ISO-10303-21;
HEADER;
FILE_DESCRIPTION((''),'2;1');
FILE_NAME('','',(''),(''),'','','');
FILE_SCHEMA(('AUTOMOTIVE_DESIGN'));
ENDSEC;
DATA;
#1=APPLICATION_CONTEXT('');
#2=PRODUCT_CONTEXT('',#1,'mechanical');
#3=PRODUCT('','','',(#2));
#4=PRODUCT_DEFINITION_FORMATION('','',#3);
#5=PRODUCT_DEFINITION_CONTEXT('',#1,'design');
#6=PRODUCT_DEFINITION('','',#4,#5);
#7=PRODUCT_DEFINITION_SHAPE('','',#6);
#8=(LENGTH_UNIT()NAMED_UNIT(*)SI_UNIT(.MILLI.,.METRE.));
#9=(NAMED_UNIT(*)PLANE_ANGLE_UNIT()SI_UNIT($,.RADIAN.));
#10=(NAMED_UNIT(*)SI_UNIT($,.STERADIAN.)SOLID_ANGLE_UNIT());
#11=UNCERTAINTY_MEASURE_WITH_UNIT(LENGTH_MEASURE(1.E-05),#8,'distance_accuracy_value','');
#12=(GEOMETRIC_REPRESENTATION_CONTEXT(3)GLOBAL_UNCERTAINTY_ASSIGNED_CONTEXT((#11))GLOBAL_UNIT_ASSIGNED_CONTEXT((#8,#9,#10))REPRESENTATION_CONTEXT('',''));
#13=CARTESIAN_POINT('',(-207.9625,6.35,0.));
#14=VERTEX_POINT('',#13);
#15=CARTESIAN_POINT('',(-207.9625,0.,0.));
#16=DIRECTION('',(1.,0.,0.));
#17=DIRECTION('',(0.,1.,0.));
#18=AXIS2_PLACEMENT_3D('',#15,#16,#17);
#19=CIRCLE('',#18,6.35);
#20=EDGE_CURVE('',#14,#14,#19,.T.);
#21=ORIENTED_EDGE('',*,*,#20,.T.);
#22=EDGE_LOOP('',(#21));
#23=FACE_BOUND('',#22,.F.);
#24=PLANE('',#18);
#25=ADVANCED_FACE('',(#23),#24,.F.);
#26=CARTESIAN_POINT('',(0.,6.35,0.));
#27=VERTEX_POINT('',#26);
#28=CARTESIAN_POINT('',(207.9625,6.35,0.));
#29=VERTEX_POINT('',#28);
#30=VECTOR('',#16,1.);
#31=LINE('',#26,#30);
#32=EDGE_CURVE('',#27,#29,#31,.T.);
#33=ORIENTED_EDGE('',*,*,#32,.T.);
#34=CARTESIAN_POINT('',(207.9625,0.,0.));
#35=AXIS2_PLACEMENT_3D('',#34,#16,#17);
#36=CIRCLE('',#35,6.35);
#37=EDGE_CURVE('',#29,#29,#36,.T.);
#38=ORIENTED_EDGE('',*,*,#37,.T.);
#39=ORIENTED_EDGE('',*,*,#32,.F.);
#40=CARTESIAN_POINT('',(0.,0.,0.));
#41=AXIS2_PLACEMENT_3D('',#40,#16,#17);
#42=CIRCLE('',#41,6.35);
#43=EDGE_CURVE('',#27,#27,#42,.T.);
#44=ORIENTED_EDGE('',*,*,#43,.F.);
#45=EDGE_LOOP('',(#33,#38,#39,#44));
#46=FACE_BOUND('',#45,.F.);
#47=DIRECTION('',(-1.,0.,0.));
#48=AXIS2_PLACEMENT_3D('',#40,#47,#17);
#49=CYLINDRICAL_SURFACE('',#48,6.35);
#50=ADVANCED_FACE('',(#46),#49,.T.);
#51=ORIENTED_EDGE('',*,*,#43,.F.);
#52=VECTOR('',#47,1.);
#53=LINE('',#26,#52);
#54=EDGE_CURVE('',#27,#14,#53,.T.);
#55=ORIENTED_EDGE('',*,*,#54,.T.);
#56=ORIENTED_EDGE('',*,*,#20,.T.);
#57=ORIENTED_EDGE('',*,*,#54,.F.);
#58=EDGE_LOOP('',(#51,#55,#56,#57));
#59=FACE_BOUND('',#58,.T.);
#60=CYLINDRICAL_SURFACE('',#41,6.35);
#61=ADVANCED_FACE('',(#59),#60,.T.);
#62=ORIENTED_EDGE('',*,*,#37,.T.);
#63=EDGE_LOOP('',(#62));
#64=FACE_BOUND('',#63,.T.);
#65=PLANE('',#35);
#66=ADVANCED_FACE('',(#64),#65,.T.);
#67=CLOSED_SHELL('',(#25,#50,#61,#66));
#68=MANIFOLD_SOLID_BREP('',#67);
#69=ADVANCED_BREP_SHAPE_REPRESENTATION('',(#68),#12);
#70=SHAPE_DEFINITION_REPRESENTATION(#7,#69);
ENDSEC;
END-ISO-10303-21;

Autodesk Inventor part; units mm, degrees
ref_plane "XZ Plane" through (0, 0, 0) normal (0, 1, 0) x (-1, 0, 0)
ref_plane "XY Plane" through (0, 0, 0) normal (0, 0, 1) x (1, 0, 0)
sketch "Sketch1" plane through (0, 0, 0) normal (1, 0, 0) x (0, 1, 0)
  circle A0 centre (0, 0) radius 6.35
  dimension "d0" = 12.7
extrude "Extrusion1" add sketch "Sketch1" along normal mid plane 415.925
equation "\"d0\" = axelDiam"
equation "\"d1\" = axelLength"
equation "\"axelDiam\" = 12.7"
equation "\"axelLength\" = 415.925"
properties part number "dualLiftAxel" material "Aluminum 6061"
